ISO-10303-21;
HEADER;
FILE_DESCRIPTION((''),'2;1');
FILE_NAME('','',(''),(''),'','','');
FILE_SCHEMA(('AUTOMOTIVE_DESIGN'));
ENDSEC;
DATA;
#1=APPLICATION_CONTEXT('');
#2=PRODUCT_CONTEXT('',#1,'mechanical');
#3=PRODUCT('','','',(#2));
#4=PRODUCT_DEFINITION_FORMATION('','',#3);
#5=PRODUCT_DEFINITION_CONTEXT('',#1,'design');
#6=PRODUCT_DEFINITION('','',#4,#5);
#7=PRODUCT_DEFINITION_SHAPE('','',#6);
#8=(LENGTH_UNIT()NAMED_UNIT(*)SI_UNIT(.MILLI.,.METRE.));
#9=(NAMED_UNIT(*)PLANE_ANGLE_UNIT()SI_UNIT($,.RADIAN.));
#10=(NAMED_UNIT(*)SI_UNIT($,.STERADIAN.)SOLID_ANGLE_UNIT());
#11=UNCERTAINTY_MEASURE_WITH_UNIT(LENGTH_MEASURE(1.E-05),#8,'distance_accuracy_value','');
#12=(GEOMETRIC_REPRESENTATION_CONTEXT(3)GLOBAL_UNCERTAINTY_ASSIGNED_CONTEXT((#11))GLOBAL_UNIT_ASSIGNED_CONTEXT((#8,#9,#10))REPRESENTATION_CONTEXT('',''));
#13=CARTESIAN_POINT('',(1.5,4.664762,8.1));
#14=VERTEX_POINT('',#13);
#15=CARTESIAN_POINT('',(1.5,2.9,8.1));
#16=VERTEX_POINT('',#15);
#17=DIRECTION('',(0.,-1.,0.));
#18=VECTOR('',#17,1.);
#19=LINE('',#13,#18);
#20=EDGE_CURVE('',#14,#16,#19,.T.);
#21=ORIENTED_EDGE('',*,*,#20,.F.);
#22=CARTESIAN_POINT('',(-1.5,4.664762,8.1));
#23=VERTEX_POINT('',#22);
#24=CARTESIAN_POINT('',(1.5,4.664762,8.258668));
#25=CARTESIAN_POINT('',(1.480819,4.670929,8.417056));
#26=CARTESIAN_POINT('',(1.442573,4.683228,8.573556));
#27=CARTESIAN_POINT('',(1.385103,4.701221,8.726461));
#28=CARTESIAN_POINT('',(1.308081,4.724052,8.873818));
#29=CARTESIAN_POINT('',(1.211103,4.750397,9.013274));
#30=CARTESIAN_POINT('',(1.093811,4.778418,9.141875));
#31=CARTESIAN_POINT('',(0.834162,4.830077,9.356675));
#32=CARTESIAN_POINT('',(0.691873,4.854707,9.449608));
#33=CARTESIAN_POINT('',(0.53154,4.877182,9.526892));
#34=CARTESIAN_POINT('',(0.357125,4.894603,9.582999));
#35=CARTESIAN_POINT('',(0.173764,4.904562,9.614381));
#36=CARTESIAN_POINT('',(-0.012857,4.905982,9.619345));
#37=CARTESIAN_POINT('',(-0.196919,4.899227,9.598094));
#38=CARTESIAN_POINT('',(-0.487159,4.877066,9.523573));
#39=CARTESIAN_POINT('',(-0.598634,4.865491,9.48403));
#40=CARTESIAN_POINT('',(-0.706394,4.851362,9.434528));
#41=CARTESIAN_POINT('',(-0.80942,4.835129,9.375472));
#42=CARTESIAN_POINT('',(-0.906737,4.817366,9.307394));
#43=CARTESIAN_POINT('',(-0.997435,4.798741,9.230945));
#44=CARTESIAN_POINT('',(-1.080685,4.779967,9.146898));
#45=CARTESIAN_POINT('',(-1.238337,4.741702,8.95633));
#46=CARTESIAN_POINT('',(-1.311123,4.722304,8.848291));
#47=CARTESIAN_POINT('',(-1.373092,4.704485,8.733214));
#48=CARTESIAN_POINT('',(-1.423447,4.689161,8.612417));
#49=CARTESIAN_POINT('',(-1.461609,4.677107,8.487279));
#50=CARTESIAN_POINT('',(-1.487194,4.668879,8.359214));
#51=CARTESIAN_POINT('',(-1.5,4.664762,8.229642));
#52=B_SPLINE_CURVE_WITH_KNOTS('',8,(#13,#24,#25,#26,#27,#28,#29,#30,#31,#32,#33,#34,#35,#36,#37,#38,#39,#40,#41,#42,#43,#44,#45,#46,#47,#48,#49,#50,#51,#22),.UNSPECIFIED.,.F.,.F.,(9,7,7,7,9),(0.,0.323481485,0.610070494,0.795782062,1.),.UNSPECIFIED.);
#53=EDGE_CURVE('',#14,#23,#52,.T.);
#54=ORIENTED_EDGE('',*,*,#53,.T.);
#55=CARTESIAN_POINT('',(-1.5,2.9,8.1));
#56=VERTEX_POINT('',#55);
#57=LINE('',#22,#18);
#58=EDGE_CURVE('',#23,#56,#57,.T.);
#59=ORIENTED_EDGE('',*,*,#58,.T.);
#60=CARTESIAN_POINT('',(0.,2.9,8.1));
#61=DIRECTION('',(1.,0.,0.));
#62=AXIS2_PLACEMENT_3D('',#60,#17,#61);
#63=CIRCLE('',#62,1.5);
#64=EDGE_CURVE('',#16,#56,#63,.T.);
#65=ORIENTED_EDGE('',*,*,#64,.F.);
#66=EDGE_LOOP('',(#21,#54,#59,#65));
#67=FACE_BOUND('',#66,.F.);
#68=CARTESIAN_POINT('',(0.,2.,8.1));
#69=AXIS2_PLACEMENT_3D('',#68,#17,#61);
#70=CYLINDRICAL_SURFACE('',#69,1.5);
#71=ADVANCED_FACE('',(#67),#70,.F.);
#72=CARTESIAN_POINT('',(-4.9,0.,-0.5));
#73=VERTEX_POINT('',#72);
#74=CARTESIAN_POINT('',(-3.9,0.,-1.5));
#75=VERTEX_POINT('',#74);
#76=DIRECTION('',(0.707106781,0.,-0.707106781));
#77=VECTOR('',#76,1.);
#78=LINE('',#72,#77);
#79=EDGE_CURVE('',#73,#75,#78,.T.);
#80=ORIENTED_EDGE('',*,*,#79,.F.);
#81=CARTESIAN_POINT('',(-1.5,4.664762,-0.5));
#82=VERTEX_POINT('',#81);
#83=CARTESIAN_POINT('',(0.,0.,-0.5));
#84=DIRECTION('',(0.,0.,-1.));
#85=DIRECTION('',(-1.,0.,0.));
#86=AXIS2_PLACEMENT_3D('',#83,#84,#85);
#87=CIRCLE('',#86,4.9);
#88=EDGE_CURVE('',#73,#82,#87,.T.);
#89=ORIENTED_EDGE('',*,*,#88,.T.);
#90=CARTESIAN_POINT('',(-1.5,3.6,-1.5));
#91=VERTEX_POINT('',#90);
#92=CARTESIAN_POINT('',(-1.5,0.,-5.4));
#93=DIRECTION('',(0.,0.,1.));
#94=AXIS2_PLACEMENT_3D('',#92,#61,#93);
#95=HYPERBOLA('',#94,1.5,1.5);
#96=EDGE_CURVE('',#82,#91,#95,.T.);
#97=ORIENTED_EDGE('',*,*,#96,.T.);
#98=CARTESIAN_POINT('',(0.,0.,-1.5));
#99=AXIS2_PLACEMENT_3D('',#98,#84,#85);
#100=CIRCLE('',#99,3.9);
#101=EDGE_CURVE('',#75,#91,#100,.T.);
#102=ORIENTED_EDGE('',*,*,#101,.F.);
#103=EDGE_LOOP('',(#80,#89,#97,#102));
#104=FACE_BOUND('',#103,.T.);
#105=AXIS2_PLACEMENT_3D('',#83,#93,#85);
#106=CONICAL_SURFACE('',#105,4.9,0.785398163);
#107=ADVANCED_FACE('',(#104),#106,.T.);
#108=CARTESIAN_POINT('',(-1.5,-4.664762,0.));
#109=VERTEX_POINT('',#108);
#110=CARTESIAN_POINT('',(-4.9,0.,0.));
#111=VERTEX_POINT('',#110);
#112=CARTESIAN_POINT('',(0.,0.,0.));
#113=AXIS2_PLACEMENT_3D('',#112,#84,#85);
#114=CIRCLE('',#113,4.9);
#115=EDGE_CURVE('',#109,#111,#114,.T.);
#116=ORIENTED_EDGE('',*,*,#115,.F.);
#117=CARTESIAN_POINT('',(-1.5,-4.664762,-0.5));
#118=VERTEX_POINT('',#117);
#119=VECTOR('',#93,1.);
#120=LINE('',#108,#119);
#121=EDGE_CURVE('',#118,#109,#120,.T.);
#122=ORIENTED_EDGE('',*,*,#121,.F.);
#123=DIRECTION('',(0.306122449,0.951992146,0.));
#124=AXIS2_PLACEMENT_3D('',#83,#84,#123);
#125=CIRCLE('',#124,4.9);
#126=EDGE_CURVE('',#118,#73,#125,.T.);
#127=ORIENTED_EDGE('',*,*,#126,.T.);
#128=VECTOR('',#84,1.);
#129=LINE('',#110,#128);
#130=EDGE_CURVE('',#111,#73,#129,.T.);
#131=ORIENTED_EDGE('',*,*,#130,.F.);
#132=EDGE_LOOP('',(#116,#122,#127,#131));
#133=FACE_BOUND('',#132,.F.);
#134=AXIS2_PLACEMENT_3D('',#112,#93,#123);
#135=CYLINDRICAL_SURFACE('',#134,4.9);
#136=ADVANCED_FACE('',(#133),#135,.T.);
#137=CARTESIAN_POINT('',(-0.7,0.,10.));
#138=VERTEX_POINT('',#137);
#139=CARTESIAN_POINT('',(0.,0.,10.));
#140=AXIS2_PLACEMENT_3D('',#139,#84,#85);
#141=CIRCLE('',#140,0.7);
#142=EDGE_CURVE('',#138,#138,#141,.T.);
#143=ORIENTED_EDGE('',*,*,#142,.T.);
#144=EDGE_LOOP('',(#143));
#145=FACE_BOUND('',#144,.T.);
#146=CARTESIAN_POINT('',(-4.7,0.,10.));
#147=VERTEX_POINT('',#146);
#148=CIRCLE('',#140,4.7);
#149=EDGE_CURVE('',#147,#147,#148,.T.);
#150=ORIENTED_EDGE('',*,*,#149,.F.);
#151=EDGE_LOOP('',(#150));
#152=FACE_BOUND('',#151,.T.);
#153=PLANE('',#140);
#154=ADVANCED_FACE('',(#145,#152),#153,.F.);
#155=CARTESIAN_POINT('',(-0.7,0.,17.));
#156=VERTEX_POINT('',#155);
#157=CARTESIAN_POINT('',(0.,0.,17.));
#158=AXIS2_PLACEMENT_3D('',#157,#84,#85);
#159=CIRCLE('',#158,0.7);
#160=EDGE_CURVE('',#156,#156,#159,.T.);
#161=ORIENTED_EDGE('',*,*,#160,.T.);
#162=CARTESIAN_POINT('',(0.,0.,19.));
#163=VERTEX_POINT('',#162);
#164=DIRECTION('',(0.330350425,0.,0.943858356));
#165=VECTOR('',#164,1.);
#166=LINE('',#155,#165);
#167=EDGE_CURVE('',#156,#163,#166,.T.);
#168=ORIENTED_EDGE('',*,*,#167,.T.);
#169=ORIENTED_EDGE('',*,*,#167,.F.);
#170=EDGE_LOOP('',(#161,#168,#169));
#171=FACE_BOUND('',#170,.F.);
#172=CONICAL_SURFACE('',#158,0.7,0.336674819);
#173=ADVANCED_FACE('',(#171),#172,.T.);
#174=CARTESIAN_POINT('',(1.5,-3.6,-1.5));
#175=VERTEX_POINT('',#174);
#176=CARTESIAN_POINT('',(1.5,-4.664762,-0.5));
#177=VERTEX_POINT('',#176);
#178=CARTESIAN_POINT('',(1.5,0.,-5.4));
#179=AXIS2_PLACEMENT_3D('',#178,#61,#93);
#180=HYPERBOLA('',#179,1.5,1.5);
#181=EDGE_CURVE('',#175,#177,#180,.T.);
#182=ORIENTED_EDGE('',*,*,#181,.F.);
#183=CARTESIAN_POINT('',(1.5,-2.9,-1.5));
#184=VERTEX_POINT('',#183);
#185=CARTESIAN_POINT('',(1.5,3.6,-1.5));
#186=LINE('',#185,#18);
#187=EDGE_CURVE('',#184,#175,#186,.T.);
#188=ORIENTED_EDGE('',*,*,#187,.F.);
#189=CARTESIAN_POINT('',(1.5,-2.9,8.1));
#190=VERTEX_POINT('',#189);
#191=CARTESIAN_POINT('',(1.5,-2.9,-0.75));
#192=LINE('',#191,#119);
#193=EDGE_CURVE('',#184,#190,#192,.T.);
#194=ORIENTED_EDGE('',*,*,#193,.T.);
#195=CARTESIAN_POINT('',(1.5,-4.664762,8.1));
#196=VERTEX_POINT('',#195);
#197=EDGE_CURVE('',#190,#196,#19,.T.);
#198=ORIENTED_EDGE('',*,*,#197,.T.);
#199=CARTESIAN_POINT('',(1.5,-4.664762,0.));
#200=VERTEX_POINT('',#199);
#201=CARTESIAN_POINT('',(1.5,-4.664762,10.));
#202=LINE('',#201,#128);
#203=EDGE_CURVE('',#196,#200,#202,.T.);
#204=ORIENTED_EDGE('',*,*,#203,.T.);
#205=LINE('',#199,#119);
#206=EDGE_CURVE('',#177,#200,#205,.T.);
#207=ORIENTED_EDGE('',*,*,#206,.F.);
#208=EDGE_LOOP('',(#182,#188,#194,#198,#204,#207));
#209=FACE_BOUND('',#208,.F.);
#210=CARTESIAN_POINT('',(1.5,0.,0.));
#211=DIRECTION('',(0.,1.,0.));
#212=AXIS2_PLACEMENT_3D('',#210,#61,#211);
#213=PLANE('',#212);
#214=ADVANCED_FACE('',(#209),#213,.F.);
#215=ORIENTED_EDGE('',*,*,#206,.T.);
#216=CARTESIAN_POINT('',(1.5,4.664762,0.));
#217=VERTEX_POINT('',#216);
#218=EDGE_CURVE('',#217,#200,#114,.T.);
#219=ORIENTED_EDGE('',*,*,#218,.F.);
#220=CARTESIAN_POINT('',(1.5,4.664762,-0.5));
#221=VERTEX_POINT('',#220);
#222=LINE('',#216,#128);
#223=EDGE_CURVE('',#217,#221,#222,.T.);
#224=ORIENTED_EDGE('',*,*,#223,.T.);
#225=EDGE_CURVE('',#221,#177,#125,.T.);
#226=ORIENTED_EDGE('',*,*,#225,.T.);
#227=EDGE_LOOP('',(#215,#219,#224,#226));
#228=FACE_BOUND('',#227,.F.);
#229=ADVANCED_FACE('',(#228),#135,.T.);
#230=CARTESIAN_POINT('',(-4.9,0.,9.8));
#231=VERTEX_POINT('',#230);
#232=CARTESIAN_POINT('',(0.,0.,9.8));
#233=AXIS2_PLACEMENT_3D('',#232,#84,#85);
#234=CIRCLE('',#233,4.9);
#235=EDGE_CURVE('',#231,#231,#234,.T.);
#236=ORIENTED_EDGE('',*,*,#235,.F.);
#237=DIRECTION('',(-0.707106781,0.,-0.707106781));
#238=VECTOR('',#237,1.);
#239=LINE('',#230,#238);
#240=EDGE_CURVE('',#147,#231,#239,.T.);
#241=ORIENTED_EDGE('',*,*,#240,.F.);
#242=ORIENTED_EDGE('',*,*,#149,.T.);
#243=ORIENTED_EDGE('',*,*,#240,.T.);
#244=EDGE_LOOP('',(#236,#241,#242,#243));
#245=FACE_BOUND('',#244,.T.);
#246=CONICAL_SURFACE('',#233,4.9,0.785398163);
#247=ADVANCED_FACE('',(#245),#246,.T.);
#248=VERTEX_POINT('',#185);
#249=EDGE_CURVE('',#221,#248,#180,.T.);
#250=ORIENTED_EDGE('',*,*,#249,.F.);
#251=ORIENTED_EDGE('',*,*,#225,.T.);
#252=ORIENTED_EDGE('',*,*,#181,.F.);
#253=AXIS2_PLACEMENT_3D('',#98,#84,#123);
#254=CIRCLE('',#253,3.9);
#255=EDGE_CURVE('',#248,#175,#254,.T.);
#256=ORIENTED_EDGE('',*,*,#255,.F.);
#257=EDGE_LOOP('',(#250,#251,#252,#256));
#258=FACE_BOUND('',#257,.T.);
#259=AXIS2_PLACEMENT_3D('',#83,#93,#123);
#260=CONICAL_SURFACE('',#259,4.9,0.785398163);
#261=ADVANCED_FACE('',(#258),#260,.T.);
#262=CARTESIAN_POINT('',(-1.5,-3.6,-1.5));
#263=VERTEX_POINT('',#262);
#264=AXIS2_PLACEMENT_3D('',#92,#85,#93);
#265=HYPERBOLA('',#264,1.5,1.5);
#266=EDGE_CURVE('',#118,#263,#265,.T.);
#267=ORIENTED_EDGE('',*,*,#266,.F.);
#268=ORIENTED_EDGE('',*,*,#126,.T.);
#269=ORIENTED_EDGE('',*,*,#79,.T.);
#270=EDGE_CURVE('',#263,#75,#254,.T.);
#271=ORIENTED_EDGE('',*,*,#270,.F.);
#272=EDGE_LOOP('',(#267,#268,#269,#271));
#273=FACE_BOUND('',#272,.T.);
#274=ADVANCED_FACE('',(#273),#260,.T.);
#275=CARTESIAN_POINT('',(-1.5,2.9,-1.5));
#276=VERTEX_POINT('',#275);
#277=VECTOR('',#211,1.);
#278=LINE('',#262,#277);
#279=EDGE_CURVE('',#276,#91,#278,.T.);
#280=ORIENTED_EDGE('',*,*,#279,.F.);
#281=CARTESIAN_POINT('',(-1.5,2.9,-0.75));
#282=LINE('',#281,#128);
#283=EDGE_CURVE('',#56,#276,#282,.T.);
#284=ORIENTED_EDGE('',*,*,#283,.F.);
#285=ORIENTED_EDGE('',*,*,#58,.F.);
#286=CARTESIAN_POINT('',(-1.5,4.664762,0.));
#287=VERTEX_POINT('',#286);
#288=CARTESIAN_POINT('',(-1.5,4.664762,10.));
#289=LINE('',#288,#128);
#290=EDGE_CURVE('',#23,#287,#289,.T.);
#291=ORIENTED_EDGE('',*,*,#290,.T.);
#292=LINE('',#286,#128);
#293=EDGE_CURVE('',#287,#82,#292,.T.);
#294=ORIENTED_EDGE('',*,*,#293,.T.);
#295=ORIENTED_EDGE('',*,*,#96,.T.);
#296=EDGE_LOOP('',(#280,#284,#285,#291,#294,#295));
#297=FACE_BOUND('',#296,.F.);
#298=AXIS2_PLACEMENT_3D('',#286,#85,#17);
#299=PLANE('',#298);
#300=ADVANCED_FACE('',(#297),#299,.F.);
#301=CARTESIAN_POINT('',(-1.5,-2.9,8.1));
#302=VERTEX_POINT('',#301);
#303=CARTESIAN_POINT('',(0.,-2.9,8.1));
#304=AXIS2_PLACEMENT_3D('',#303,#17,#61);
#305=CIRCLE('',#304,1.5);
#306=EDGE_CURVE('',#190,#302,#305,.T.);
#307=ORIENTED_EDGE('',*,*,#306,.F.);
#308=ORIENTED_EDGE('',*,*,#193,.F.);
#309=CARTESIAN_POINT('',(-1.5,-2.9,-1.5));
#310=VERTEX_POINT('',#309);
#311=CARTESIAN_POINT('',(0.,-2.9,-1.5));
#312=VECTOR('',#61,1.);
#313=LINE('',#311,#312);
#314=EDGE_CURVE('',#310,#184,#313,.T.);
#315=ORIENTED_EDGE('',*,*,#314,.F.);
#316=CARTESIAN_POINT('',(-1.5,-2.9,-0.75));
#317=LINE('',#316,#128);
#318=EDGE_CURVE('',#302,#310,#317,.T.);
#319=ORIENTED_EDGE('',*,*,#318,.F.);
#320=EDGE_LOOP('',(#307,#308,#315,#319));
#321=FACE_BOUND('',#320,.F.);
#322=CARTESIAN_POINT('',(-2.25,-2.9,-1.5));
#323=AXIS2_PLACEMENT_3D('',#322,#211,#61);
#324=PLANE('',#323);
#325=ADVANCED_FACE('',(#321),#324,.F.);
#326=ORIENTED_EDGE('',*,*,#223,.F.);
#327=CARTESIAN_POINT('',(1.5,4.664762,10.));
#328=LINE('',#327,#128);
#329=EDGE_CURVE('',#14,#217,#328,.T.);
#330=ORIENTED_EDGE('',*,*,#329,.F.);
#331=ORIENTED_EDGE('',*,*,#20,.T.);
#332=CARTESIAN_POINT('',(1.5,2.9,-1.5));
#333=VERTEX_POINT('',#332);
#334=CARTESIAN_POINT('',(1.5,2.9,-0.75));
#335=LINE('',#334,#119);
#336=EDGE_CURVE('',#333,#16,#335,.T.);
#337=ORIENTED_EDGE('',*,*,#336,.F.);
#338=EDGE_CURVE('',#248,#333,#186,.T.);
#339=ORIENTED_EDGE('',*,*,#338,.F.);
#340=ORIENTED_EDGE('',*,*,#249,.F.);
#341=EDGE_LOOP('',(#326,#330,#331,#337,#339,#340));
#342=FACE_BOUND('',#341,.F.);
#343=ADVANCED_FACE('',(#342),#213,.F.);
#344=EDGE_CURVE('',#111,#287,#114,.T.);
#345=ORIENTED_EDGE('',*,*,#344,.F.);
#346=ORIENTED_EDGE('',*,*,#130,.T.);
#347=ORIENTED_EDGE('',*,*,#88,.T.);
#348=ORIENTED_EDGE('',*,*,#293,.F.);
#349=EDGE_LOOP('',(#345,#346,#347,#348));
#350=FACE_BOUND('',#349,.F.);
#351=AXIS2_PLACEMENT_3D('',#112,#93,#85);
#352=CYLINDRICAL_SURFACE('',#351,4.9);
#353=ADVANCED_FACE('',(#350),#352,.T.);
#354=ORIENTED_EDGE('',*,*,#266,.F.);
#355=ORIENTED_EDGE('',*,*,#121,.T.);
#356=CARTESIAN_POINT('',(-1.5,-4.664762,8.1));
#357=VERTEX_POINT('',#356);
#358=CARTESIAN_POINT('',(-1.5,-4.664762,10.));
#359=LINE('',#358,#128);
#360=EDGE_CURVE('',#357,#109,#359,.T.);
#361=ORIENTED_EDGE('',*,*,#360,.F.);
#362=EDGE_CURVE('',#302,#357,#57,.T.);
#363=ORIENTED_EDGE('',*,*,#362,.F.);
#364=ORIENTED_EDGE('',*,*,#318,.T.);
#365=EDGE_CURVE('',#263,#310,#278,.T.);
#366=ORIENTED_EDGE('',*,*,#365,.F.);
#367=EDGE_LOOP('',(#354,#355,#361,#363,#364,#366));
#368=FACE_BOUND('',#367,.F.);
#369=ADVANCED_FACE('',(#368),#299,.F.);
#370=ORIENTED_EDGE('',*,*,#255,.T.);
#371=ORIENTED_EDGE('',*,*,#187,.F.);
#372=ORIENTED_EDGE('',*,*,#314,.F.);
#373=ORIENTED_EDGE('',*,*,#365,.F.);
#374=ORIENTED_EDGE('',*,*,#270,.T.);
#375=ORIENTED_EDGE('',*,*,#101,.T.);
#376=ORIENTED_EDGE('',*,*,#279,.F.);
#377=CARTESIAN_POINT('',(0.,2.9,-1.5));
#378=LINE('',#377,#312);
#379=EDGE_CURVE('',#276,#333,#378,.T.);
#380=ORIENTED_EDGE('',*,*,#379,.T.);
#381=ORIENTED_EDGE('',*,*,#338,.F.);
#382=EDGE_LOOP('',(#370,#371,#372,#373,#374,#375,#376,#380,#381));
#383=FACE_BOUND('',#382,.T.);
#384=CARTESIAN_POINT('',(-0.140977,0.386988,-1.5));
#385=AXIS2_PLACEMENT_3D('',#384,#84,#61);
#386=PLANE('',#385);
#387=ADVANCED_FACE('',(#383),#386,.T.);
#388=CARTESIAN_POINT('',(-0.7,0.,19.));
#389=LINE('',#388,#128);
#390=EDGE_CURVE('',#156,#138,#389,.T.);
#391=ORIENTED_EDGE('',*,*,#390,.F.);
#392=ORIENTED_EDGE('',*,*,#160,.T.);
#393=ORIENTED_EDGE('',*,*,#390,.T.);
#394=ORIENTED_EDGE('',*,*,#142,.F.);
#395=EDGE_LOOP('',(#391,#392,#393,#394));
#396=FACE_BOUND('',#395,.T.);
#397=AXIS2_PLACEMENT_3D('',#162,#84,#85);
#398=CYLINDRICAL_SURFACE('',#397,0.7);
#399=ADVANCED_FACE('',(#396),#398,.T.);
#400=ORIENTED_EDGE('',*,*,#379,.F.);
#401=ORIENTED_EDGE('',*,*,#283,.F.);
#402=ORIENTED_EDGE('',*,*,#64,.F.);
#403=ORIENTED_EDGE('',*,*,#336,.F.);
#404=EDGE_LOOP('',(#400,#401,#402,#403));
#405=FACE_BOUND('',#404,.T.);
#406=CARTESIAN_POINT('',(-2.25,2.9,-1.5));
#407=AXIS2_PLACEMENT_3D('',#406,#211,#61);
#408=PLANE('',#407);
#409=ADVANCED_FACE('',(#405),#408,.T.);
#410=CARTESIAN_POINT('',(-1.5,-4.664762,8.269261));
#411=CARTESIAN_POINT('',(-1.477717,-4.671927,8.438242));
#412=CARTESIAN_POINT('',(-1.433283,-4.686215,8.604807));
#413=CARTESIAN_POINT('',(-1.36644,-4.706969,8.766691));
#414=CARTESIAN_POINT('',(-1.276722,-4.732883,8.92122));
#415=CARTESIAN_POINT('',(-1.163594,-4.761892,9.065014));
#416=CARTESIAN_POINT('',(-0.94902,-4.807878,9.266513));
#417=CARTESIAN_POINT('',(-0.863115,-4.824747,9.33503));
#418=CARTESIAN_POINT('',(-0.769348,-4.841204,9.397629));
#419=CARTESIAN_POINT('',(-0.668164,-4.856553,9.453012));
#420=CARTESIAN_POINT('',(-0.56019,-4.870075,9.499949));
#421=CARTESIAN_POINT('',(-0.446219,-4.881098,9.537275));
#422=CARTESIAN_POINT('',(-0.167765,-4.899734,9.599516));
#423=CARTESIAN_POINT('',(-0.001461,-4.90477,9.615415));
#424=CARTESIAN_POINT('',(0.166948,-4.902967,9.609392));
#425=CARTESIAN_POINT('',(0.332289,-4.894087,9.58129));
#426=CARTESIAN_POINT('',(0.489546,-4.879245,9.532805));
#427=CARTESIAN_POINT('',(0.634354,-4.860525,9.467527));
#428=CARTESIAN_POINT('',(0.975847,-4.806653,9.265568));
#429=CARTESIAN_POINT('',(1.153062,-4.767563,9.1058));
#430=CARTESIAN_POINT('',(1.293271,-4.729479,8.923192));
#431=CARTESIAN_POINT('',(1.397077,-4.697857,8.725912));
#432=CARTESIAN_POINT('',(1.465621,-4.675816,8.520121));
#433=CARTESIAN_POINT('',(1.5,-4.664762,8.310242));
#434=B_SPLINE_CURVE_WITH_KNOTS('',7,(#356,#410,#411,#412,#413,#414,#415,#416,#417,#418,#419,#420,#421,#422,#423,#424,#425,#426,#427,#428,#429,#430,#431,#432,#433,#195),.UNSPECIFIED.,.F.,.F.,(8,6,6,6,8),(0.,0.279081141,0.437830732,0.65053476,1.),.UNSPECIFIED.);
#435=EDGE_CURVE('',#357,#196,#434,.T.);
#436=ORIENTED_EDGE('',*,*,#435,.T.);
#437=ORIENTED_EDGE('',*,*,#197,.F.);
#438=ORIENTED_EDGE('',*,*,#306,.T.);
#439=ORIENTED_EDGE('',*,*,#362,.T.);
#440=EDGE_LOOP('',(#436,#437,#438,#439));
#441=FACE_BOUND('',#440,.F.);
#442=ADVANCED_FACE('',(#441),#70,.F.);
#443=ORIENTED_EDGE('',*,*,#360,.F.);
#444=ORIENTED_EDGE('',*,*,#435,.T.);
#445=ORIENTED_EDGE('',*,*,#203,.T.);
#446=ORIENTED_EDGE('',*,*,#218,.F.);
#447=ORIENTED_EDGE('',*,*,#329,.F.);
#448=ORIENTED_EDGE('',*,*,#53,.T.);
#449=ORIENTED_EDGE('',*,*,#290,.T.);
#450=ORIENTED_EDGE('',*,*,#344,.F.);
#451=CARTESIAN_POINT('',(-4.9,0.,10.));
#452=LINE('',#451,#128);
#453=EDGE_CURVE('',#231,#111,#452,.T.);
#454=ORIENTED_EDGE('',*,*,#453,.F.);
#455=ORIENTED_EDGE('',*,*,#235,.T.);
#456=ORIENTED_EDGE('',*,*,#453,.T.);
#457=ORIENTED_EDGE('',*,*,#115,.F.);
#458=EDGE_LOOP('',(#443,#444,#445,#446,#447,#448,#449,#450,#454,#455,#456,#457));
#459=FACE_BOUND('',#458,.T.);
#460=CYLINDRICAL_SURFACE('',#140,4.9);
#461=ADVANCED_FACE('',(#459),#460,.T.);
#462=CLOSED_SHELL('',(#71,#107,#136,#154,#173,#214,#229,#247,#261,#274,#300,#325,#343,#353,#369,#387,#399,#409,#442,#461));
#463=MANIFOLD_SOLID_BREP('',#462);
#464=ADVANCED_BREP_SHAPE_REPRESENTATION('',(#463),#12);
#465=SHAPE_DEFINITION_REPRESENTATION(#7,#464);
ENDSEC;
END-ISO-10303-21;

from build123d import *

# Parameters (mm, degrees)
F3_START = -2
F3_DEPTH = 23
F4_DEPTH = 25
F5_DEPTH = 1.5
F6_SIZE  = 1
F7_SIZE2 = 0.7
F7_SIZE  = 2
F8_SIZE  = 0.2
F9_DEPTH = 25
F10_W    = 4.5
F10_H    = 5.8


with BuildPart() as f1:
    # F0 (on Front) → F1 (revolve)
    with BuildSketch(Plane.XZ):
        Polygon((-4.9, 9), (-4.9, 0), (0, 0), (0, 19), (-0.7, 19), (-0.7, 10), (-4.9, 10), align=None)
    revolve(axis=Axis((0, 0, 9.5), (0, 0, -1)))

    # F2 (on Front) → F3 (cut)
    with BuildSketch(Plane.XZ.offset(F3_START)):
        with BuildLine():
            Line((1.5, 0), (1.5, 8.1))
            ThreePointArc((1.5, 8.1), (0, 9.6), (-1.5, 8.1))
            Line((-1.5, 8.1), (-1.5, 0))
            Line((-1.5, 0), (1.5, 0))
        make_face()
    extrude(amount=-F3_DEPTH, mode=Mode.SUBTRACT)

    # F2 (on Front) → F4 (cut)
    with BuildSketch(Plane.XZ):
        with BuildLine():
            Line((1.5, 0), (1.5, 8.1))
            ThreePointArc((1.5, 8.1), (0, 9.6), (-1.5, 8.1))
            Line((-1.5, 8.1), (-1.5, 0))
            Line((-1.5, 0), (1.5, 0))
        make_face()
    extrude(amount=-F4_DEPTH, mode=Mode.SUBTRACT)

    # F1_face (on face) → F5 (join)
    with BuildSketch(Plane(origin=(0, -0.5723183731, 0), x_dir=(1, 0, 0), z_dir=(0, 0, -1))):
        with BuildLine():
            Line((1.5, -0.5723183731), (1.5, -5.237079889))
            ThreePointArc((1.5, -5.237079889), (2.8861739379, 3.3874796015), (-4.9, -0.5723183731))
            ThreePointArc((-4.9, -0.5723183731), (-3.9597979746, -3.458492311), (-1.5, -5.237079889))
            Line((-1.5, -5.237079889), (-1.5, -0.5723183731))
            Line((-1.5, -0.5723183731), (1.5, -0.5723183731))
        make_face()
    extrude(amount=F5_DEPTH)

    # F6
    f6_edges = [f1.edges().sort_by_distance(p)[0] for p in [
        (-4.9, 0, 4.25),
        (2.886174, -3.959798, -1.5),
        (-3.959798, 2.886174, -1.5),
    ]]
    chamfer(f6_edges, length=F6_SIZE)

    # F7
    f7_edges = [f1.edges().sort_by_distance(p)[0] for p in [
        (0.7, 0, 19),
    ]]
    f7_side = f1.faces().sort_by_distance((0.7, 0, 14.5))[0]
    chamfer(f7_edges, length=F7_SIZE, length2=F7_SIZE2, reference=f7_side)

    # F8
    f8_edges = [f1.edges().sort_by_distance(p)[0] for p in [
        (4.9, 0, 10),
    ]]
    chamfer(f8_edges, length=F8_SIZE)

    # F5_face (on face) → F9 (cut)
    with BuildSketch(Plane(origin=(0, 0, 3.8942483753), x_dir=(-1, 0, 0), z_dir=(0, 1, 0))):
        with BuildLine():
            ThreePointArc((1.5, 4.2057516247), (0, 5.7057516247), (-1.5, 4.2057516247))
            Line((-1.5, 4.2057516247), (-1.5, -5.3942483753))
            Line((-1.5, -5.3942483753), (1.5, -5.3942483753))
            Line((1.5, -5.3942483753), (1.5, 4.2057516247))
        make_face()
    extrude(amount=-F9_DEPTH, mode=Mode.SUBTRACT)

    # F10 (on face) → F11 (join, up to the next surface of F1)
    with BuildSketch(Plane(origin=(0, 0, -1.5), x_dir=(1, 0, 0), z_dir=(0, 0, -1))):
        Rectangle(F10_W, F10_H)
    extrude(until=Until.NEXT, dir=(0, 0, 1))


solid = f1.part
